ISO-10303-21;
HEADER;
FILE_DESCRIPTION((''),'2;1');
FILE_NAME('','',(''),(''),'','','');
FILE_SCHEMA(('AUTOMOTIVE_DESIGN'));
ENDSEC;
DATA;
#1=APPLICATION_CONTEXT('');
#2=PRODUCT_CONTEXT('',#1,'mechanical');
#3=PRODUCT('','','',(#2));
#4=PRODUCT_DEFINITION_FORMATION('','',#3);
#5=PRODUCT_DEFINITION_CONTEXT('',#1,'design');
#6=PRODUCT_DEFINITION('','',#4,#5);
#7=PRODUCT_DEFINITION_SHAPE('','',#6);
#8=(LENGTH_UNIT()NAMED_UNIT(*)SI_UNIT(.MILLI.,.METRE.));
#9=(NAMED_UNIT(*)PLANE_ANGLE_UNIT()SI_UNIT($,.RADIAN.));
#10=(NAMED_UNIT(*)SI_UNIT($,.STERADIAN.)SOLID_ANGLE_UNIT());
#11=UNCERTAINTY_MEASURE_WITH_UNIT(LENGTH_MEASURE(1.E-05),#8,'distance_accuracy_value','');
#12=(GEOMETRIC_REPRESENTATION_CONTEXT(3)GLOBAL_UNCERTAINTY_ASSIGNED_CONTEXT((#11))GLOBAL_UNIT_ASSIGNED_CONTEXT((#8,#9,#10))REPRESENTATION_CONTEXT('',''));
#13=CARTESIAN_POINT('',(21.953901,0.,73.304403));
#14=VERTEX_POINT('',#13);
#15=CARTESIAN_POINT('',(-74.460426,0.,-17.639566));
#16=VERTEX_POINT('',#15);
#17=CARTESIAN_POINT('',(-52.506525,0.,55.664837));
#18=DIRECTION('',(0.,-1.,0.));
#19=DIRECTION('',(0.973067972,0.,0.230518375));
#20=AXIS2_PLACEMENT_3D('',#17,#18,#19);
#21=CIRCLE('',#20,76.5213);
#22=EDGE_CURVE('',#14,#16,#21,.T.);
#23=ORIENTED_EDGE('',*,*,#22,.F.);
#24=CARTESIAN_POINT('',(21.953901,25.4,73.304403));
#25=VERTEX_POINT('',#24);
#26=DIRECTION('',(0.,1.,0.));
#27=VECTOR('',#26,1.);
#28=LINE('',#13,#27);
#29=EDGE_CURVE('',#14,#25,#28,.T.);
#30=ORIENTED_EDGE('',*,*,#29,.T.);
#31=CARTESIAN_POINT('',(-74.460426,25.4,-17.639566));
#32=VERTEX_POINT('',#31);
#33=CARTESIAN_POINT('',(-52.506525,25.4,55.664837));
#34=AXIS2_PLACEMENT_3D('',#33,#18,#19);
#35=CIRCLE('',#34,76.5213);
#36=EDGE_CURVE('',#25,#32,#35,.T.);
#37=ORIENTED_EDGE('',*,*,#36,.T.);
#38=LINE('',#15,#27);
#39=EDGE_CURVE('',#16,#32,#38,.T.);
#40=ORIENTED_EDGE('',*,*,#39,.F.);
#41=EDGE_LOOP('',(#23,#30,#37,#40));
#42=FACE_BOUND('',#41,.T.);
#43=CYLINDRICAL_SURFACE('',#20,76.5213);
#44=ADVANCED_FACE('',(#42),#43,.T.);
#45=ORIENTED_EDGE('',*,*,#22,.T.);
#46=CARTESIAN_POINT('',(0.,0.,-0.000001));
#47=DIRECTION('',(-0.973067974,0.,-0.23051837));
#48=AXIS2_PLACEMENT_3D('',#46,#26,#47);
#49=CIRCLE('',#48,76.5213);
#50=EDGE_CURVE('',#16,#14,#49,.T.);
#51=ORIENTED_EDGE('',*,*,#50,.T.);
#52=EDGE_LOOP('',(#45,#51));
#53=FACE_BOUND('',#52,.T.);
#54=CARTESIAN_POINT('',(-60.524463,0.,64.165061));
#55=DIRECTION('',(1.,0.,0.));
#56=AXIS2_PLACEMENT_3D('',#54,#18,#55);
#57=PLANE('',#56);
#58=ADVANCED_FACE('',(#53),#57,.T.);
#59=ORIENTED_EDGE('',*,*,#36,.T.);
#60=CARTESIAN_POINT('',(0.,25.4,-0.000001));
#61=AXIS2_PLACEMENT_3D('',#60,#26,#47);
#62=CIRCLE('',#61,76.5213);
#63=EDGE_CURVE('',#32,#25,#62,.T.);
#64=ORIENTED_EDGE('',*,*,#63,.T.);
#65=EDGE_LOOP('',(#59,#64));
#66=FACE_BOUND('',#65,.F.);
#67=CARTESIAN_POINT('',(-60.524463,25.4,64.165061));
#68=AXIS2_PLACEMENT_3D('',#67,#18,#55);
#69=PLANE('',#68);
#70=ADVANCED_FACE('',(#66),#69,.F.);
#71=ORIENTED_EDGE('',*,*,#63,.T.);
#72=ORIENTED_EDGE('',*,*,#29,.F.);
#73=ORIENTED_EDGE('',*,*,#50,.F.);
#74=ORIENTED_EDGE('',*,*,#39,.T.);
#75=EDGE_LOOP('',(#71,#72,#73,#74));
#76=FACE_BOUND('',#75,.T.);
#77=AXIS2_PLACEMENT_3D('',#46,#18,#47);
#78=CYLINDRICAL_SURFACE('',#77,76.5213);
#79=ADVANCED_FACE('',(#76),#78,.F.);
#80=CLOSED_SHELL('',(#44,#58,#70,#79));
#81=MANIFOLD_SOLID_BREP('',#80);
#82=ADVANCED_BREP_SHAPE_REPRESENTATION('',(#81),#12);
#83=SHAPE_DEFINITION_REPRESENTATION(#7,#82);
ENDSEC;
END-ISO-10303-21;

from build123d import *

# Parameters (mm, degrees)
F1_DEPTH = 25.4


with BuildPart() as f1:
    # F0 (on Front) → F1 (new body)
    with BuildSketch(Plane.XZ):
        with BuildLine():
            ThreePointArc((-74.460426, -17.639566), (-52.506525, 55.664837), (21.953901, 73.304403))
            ThreePointArc((21.953901, 73.304403), (-105.01305, 111.329675), (-74.460426, -17.639566))
        make_face()
    extrude(amount=-F1_DEPTH)


solid = f1.part
